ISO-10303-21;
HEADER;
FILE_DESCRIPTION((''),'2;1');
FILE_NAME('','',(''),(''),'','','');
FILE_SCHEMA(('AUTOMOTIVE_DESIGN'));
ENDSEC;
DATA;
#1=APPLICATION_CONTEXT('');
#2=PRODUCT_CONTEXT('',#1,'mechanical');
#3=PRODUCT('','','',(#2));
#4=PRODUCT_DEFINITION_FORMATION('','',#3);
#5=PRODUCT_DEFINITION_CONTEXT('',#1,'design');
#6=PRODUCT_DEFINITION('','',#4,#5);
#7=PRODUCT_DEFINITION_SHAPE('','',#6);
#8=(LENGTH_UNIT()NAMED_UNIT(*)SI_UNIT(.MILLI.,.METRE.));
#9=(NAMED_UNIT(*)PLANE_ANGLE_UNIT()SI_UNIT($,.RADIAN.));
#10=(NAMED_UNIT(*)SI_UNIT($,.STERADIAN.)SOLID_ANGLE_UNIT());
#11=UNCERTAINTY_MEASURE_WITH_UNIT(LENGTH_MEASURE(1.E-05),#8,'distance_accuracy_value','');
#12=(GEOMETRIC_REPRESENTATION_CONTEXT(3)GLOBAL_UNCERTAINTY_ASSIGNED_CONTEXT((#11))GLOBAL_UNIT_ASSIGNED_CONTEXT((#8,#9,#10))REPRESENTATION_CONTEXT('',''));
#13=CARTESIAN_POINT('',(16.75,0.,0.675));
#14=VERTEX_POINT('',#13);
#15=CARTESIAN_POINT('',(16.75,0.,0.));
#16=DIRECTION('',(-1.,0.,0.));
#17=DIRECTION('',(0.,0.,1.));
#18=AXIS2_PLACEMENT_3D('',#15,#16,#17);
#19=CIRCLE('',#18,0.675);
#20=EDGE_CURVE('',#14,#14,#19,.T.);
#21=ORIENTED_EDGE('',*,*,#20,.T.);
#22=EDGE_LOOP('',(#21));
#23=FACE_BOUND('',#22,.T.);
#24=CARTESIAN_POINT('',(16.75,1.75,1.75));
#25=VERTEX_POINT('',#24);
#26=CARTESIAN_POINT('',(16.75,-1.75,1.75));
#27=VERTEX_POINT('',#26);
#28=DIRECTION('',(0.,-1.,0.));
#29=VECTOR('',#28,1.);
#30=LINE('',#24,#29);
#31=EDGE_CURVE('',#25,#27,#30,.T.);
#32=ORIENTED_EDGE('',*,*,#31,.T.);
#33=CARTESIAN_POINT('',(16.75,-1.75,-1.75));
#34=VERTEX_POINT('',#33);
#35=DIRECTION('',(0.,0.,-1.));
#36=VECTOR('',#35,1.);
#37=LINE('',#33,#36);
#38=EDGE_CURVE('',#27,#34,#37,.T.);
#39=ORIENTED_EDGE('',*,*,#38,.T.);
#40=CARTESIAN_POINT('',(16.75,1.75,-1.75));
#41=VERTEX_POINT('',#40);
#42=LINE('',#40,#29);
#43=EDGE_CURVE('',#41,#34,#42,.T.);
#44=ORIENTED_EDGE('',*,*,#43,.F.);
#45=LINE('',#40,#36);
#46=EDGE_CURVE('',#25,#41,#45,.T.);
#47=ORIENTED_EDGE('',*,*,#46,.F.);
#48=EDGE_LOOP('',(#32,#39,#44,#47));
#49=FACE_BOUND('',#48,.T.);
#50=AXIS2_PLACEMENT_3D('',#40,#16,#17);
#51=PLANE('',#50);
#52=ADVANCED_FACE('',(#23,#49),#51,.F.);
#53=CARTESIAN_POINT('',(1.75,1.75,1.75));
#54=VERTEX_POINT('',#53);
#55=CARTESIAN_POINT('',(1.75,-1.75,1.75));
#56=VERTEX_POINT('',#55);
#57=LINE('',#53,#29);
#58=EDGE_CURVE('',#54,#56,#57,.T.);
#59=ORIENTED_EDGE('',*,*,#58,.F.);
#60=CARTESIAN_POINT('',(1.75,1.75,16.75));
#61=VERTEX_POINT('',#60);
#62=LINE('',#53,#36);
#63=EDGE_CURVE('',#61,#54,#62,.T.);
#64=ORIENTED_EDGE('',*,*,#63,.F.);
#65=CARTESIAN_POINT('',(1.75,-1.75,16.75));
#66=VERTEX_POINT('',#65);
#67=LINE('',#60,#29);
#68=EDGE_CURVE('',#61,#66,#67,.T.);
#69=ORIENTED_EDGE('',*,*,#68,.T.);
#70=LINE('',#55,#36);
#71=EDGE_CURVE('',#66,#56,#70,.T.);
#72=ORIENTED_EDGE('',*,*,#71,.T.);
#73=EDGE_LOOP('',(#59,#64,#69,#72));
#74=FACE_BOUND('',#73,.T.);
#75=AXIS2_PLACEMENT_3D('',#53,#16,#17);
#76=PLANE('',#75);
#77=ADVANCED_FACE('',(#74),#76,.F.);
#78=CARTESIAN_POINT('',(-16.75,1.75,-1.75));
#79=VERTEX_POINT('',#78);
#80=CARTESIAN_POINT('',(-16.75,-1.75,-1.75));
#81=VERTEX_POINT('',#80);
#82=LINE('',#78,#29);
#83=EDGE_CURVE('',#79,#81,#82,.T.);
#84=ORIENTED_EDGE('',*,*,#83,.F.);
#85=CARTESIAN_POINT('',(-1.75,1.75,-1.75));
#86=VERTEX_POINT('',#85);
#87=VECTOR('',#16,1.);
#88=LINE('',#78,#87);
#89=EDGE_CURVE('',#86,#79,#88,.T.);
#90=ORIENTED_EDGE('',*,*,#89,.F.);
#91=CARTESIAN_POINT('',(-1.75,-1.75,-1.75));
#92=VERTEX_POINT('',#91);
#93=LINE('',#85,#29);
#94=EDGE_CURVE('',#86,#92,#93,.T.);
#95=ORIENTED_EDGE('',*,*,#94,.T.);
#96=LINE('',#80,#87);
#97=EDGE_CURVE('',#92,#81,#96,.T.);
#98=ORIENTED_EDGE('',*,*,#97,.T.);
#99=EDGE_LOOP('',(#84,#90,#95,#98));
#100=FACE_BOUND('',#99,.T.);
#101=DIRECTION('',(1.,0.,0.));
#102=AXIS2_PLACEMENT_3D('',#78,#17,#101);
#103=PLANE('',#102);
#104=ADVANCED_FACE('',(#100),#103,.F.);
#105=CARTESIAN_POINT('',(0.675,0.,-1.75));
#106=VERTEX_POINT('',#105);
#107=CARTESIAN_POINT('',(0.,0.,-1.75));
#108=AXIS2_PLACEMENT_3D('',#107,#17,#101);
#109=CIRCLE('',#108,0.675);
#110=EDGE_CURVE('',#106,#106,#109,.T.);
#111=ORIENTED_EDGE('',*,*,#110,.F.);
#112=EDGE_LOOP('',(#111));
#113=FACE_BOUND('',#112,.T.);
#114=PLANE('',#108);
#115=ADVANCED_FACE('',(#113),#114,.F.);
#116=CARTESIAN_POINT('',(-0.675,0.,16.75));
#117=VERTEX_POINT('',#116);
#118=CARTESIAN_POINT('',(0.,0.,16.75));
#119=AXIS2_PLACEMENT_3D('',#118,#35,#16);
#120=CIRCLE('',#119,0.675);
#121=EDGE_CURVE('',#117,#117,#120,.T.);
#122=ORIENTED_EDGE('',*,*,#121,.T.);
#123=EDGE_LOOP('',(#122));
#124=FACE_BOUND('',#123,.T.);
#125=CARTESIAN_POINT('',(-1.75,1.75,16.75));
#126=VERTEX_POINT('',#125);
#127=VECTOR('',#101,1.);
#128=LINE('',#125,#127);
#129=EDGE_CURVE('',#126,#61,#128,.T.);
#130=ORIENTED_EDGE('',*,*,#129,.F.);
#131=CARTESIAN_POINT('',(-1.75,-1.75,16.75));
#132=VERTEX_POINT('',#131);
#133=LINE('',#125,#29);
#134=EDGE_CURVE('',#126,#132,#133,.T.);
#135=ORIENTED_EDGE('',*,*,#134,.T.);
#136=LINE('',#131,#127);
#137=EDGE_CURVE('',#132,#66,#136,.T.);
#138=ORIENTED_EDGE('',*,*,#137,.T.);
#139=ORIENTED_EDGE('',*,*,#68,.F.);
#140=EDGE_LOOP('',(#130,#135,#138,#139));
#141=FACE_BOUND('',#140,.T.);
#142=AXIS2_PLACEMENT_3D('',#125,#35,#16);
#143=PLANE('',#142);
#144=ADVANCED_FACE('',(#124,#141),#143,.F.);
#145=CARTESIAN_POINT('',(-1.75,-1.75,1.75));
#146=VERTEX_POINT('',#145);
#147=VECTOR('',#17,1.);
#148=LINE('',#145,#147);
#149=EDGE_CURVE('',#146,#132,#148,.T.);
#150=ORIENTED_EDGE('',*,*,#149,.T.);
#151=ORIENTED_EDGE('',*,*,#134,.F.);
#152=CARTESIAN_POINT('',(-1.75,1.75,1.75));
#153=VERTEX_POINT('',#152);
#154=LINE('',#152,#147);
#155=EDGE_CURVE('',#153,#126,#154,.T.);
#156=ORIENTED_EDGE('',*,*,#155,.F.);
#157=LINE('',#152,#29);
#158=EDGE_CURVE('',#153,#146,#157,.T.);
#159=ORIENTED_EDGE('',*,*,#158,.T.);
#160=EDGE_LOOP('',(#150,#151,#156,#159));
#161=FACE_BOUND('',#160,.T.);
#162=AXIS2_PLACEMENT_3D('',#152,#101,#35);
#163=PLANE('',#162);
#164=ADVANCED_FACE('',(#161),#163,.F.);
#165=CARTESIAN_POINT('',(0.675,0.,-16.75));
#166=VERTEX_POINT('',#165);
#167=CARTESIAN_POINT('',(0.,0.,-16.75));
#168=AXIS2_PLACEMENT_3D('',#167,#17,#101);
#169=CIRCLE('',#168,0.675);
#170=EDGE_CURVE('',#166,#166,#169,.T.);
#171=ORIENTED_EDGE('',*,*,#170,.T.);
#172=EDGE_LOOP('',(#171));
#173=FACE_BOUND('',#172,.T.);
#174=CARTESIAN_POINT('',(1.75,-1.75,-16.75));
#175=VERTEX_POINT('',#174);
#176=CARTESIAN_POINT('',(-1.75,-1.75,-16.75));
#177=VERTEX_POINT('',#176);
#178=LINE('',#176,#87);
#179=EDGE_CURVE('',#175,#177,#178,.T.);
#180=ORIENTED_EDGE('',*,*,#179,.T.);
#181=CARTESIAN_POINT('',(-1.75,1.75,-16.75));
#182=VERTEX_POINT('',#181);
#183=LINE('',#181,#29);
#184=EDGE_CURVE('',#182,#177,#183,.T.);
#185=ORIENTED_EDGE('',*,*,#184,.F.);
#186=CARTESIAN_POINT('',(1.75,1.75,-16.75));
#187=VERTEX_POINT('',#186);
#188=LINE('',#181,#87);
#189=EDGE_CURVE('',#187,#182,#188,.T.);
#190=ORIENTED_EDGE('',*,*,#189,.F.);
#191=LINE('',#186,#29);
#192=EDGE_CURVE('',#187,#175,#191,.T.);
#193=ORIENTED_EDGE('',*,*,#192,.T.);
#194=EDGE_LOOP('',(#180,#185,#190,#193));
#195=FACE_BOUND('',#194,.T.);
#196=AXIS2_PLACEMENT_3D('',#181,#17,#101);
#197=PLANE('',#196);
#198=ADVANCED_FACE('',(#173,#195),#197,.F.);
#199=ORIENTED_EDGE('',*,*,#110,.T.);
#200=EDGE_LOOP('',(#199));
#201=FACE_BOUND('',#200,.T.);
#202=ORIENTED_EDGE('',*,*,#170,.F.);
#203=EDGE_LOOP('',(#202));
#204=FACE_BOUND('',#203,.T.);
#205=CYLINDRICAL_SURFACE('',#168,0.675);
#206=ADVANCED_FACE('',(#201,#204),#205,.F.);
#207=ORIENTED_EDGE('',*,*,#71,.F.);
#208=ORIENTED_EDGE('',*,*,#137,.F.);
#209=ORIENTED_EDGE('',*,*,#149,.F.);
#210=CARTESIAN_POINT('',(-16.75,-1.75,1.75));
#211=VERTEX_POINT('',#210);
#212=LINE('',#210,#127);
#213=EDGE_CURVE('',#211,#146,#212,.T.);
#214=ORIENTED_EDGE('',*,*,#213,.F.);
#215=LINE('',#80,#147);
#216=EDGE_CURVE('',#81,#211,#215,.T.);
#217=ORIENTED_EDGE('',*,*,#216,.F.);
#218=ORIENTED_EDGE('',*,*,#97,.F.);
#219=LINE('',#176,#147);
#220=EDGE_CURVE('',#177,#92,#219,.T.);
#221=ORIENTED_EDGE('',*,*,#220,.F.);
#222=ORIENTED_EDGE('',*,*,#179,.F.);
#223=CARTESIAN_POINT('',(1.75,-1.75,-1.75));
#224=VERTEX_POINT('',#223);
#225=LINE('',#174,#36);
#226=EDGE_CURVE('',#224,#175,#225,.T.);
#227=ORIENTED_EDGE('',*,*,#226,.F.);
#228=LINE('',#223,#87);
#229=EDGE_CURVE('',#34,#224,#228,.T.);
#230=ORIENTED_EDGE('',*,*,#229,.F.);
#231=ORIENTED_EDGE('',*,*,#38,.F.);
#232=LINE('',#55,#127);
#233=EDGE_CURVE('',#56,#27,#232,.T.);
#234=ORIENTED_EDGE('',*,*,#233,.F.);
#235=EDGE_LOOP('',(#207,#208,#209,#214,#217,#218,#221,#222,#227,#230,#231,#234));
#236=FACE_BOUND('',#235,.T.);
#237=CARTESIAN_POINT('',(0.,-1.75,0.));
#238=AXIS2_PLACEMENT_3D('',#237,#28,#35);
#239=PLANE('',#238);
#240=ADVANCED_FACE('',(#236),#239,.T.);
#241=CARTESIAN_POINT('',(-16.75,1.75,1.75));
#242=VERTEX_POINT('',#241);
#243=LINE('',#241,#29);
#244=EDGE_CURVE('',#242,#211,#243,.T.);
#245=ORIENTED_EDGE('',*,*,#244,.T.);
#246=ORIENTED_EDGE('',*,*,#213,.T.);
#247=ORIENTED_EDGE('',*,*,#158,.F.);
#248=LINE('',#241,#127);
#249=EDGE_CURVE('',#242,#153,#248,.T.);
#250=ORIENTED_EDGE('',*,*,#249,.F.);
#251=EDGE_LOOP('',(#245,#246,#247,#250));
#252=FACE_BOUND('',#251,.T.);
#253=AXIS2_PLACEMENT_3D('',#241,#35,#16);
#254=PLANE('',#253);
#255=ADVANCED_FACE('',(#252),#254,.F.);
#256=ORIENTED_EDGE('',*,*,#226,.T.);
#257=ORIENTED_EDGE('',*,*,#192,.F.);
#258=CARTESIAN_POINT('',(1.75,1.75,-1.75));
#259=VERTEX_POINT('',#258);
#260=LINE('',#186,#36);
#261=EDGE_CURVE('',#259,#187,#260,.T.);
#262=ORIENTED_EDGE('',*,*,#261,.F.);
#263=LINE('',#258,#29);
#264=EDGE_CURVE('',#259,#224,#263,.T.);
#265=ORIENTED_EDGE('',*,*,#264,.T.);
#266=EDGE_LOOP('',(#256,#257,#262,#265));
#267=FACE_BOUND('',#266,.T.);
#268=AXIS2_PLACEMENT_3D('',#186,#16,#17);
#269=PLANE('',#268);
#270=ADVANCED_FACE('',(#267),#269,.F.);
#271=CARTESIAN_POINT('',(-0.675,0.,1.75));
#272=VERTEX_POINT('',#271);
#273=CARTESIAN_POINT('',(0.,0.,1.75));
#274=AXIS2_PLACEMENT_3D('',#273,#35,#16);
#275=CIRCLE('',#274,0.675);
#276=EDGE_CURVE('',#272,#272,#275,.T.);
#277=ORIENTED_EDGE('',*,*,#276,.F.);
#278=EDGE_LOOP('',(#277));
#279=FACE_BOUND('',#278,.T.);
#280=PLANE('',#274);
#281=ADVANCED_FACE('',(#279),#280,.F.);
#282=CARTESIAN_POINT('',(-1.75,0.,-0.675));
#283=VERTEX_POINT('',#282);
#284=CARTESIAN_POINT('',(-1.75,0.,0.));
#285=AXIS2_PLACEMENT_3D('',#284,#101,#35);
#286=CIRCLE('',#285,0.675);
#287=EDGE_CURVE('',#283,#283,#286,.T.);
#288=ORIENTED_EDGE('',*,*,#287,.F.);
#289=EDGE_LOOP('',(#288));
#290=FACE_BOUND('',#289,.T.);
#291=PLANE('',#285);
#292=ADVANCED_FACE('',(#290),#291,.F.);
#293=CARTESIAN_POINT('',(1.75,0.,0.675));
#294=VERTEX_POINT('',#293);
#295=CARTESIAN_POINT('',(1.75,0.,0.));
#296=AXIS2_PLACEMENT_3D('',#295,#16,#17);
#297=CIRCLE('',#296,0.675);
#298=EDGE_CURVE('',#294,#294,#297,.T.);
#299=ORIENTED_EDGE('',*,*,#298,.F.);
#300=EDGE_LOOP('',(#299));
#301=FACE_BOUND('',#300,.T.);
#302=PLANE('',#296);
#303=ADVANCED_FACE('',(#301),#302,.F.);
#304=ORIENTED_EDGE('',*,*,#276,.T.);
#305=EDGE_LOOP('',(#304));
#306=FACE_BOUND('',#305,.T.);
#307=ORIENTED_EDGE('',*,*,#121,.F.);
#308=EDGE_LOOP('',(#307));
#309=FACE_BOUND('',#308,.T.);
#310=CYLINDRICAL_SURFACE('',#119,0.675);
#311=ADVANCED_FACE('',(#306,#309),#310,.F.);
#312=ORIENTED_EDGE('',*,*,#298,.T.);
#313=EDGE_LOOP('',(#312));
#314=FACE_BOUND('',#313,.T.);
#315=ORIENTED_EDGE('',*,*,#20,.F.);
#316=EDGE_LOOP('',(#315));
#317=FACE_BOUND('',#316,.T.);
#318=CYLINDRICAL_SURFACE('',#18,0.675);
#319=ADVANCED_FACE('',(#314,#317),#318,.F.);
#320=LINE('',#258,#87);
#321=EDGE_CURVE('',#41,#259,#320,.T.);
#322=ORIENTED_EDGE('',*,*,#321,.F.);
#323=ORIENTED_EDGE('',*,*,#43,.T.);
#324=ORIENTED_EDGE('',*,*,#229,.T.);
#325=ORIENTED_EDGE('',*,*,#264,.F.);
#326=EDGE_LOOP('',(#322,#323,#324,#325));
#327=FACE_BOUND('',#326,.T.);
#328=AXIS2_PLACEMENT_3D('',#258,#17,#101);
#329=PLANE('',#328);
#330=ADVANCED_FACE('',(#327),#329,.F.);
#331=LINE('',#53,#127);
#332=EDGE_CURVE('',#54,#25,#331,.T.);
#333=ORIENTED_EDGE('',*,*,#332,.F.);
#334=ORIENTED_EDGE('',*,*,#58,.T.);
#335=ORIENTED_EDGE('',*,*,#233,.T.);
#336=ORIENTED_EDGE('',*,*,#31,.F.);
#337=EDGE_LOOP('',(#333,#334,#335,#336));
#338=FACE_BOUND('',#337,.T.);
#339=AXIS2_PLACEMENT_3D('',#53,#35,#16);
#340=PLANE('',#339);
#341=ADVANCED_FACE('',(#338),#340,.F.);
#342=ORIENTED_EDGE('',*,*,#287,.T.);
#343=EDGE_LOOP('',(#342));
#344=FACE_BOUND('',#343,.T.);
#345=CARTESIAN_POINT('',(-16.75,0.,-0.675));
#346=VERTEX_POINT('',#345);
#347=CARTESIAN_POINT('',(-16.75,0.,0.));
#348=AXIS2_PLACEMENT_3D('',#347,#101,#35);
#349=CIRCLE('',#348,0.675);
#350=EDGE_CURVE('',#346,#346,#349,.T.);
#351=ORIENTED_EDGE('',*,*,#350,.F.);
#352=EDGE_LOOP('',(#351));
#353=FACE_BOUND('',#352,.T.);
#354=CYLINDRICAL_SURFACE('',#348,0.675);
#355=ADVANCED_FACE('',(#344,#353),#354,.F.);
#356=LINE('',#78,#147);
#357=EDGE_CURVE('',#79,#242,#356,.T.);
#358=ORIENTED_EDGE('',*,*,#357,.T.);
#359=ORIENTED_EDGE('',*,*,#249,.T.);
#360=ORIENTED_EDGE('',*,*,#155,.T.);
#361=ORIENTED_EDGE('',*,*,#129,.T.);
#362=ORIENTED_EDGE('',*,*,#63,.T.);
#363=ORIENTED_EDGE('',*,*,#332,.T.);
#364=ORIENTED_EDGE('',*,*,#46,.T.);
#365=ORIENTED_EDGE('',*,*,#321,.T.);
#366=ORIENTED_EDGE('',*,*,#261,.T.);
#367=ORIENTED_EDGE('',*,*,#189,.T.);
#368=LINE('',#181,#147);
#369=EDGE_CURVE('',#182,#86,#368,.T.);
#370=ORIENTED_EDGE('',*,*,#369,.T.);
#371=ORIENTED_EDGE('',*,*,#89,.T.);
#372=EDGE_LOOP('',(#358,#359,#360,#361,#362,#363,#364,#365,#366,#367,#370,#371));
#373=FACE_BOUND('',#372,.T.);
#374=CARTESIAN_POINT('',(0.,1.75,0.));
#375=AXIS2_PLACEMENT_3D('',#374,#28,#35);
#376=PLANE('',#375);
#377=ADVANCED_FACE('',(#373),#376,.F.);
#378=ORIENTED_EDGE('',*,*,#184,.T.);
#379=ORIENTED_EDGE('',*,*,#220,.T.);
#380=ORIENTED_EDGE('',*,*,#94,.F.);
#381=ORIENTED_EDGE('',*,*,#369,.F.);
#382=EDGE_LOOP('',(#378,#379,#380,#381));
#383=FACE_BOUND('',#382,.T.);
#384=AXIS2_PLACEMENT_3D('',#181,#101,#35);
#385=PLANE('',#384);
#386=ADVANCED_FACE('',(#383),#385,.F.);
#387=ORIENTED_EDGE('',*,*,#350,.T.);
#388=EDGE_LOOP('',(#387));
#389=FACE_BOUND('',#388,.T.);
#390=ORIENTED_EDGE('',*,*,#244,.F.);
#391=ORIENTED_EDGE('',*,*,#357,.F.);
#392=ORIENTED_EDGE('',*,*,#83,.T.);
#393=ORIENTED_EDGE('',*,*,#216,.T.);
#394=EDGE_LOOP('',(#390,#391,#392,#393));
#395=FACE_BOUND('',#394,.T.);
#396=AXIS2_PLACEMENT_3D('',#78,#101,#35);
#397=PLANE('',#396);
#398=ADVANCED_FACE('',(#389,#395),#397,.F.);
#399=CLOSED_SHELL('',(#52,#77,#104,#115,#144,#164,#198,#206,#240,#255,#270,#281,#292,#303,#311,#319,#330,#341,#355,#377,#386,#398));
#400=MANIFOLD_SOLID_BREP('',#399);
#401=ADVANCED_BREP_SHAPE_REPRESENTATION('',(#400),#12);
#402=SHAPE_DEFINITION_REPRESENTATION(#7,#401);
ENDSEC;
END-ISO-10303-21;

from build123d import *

# Parameters (mm, degrees)
BOSS_EXTRUDE1_DEPTH = 1.75
CUT_EXTRUDE4_START  = -1.75
SKETCH2_R           = 0.675
CUT_EXTRUDE4_DEPTH  = 16
CUT_EXTRUDE5_START  = 1.75
SKETCH2_2_R         = 0.675
CUT_EXTRUDE5_DEPTH  = 16
CUT_EXTRUDE6_START  = 1.75
SKETCH3_R           = 0.675
CUT_EXTRUDE6_DEPTH  = 16
CUT_EXTRUDE7_START  = -1.75
SKETCH3_2_R         = 0.675
CUT_EXTRUDE7_DEPTH  = 16


with BuildPart() as part:
    # Sketch1 → Boss-Extrude1 (new body, symmetric)
    with BuildSketch(Plane(origin=(0, 0, 0), x_dir=(1, 0, 0), z_dir=(0, 1, 0))):
        Polygon((1.75, -1.75), (1.75, -16.75), (-1.75, -16.75), (-1.75, -1.75), (-16.75, -1.75), (-16.75, 1.75), (-1.75, 1.75), (-1.75, 16.75), (1.75, 16.75), (1.75, 1.75), (16.75, 1.75), (16.75, -1.75), align=None)
    extrude(amount=BOSS_EXTRUDE1_DEPTH, both=True)

    # Sketch2 → Cut-Extrude4 (cut, through all)
    with BuildSketch(Plane.XY.offset(CUT_EXTRUDE4_START)):
        Circle(SKETCH2_R)
    extrude(amount=-CUT_EXTRUDE4_DEPTH, mode=Mode.SUBTRACT)

    # Sketch2<2> → Cut-Extrude5 (cut, through all)
    with BuildSketch(Plane.XY.offset(CUT_EXTRUDE5_START)):
        Circle(SKETCH2_2_R)
    extrude(amount=CUT_EXTRUDE5_DEPTH, mode=Mode.SUBTRACT)

    # Sketch3 → Cut-Extrude6 (cut, through all)
    with BuildSketch(Plane.ZY.offset(CUT_EXTRUDE6_START)):
        Circle(SKETCH3_R)
    extrude(amount=CUT_EXTRUDE6_DEPTH, mode=Mode.SUBTRACT)

    # Sketch3<2> → Cut-Extrude7 (cut, through all)
    with BuildSketch(Plane.ZY.offset(CUT_EXTRUDE7_START)):
        Circle(SKETCH3_2_R)
    extrude(amount=-CUT_EXTRUDE7_DEPTH, mode=Mode.SUBTRACT)


solid = part.part
